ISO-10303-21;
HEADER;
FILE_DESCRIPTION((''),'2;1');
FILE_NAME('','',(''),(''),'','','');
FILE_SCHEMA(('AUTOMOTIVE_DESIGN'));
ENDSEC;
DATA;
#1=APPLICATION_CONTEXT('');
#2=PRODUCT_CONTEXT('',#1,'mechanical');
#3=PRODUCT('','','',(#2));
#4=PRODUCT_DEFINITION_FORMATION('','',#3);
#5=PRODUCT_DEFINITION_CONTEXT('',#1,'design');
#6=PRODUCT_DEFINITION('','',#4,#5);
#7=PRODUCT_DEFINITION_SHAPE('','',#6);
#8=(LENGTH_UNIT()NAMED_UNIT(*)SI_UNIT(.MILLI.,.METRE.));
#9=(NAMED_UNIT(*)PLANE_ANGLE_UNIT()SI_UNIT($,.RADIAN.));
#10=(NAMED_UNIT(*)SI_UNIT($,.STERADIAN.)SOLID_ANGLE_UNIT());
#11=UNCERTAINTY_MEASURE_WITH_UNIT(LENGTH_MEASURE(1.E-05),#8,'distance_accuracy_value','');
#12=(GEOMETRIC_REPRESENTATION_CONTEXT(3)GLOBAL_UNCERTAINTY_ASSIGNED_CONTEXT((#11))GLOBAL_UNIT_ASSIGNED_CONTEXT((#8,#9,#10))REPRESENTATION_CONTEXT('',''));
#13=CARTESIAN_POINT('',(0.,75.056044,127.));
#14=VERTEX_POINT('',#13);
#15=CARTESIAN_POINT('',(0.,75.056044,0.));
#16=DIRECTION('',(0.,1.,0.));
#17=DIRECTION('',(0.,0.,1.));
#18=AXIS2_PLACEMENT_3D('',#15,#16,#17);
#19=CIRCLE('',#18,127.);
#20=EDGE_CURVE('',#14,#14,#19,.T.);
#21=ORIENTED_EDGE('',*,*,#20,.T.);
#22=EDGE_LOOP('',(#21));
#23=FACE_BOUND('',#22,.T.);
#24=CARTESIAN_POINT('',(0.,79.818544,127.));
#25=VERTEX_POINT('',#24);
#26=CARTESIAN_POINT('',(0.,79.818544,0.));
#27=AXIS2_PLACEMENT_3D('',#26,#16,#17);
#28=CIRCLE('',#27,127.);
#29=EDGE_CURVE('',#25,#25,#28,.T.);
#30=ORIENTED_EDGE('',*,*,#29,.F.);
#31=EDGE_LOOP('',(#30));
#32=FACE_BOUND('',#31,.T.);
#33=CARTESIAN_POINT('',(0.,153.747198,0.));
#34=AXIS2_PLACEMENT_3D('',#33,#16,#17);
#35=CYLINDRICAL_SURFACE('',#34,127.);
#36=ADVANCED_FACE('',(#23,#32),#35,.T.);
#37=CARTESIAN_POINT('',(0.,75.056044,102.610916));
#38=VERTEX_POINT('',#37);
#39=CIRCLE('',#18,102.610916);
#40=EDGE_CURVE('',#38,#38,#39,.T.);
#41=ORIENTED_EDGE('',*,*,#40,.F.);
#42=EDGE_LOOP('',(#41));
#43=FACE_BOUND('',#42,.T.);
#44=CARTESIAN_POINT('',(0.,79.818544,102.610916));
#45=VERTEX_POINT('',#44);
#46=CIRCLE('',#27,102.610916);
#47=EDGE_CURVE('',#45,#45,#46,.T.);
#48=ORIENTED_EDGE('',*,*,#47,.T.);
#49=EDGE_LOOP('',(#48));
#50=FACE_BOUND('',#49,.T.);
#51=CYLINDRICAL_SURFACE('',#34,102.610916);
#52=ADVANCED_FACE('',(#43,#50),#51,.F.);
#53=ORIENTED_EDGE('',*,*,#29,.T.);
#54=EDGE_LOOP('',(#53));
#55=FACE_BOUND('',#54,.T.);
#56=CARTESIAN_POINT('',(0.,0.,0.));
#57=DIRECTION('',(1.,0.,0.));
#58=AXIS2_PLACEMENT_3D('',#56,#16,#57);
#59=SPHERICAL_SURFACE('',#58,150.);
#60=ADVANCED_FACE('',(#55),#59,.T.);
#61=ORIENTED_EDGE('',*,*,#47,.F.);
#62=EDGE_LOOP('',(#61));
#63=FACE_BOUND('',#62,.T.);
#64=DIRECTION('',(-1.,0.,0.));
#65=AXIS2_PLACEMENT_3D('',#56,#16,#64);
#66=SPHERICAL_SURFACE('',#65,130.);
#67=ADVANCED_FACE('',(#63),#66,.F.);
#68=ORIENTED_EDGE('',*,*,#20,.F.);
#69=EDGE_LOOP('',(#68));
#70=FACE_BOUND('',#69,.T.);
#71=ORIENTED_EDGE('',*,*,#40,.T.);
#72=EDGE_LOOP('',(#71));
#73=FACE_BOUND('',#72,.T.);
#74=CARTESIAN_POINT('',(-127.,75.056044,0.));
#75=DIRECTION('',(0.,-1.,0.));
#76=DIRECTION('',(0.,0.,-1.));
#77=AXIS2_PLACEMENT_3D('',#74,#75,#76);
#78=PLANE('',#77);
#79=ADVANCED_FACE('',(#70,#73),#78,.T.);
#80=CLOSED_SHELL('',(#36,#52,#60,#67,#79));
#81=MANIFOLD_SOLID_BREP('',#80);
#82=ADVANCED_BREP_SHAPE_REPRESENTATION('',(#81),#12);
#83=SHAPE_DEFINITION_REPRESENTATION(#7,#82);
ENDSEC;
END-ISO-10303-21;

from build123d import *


with BuildPart() as part:
    # Sketch2 → Revolve4 (revolve)
    with BuildSketch(Plane.XY):
        with BuildLine():
            Line((-102.610915599, 79.818544211), (-102.610915599, 75.056044211))
            Line((-102.610915599, 75.056044211), (-127, 75.056044211))
            Line((-127, 75.056044211), (-127, 79.818544211))
            ThreePointArc((-127, 79.818544211), (-72.550735242, 131.287435864), (0, 150))
            Line((0, 150), (0, 130))
            ThreePointArc((0, 130), (-57.112123286, 116.782727206), (-102.610915599, 79.818544211))
        make_face()
    revolve(axis=Axis((0, 153.747197789, 0), (0, -1, 0)))


solid = part.part
